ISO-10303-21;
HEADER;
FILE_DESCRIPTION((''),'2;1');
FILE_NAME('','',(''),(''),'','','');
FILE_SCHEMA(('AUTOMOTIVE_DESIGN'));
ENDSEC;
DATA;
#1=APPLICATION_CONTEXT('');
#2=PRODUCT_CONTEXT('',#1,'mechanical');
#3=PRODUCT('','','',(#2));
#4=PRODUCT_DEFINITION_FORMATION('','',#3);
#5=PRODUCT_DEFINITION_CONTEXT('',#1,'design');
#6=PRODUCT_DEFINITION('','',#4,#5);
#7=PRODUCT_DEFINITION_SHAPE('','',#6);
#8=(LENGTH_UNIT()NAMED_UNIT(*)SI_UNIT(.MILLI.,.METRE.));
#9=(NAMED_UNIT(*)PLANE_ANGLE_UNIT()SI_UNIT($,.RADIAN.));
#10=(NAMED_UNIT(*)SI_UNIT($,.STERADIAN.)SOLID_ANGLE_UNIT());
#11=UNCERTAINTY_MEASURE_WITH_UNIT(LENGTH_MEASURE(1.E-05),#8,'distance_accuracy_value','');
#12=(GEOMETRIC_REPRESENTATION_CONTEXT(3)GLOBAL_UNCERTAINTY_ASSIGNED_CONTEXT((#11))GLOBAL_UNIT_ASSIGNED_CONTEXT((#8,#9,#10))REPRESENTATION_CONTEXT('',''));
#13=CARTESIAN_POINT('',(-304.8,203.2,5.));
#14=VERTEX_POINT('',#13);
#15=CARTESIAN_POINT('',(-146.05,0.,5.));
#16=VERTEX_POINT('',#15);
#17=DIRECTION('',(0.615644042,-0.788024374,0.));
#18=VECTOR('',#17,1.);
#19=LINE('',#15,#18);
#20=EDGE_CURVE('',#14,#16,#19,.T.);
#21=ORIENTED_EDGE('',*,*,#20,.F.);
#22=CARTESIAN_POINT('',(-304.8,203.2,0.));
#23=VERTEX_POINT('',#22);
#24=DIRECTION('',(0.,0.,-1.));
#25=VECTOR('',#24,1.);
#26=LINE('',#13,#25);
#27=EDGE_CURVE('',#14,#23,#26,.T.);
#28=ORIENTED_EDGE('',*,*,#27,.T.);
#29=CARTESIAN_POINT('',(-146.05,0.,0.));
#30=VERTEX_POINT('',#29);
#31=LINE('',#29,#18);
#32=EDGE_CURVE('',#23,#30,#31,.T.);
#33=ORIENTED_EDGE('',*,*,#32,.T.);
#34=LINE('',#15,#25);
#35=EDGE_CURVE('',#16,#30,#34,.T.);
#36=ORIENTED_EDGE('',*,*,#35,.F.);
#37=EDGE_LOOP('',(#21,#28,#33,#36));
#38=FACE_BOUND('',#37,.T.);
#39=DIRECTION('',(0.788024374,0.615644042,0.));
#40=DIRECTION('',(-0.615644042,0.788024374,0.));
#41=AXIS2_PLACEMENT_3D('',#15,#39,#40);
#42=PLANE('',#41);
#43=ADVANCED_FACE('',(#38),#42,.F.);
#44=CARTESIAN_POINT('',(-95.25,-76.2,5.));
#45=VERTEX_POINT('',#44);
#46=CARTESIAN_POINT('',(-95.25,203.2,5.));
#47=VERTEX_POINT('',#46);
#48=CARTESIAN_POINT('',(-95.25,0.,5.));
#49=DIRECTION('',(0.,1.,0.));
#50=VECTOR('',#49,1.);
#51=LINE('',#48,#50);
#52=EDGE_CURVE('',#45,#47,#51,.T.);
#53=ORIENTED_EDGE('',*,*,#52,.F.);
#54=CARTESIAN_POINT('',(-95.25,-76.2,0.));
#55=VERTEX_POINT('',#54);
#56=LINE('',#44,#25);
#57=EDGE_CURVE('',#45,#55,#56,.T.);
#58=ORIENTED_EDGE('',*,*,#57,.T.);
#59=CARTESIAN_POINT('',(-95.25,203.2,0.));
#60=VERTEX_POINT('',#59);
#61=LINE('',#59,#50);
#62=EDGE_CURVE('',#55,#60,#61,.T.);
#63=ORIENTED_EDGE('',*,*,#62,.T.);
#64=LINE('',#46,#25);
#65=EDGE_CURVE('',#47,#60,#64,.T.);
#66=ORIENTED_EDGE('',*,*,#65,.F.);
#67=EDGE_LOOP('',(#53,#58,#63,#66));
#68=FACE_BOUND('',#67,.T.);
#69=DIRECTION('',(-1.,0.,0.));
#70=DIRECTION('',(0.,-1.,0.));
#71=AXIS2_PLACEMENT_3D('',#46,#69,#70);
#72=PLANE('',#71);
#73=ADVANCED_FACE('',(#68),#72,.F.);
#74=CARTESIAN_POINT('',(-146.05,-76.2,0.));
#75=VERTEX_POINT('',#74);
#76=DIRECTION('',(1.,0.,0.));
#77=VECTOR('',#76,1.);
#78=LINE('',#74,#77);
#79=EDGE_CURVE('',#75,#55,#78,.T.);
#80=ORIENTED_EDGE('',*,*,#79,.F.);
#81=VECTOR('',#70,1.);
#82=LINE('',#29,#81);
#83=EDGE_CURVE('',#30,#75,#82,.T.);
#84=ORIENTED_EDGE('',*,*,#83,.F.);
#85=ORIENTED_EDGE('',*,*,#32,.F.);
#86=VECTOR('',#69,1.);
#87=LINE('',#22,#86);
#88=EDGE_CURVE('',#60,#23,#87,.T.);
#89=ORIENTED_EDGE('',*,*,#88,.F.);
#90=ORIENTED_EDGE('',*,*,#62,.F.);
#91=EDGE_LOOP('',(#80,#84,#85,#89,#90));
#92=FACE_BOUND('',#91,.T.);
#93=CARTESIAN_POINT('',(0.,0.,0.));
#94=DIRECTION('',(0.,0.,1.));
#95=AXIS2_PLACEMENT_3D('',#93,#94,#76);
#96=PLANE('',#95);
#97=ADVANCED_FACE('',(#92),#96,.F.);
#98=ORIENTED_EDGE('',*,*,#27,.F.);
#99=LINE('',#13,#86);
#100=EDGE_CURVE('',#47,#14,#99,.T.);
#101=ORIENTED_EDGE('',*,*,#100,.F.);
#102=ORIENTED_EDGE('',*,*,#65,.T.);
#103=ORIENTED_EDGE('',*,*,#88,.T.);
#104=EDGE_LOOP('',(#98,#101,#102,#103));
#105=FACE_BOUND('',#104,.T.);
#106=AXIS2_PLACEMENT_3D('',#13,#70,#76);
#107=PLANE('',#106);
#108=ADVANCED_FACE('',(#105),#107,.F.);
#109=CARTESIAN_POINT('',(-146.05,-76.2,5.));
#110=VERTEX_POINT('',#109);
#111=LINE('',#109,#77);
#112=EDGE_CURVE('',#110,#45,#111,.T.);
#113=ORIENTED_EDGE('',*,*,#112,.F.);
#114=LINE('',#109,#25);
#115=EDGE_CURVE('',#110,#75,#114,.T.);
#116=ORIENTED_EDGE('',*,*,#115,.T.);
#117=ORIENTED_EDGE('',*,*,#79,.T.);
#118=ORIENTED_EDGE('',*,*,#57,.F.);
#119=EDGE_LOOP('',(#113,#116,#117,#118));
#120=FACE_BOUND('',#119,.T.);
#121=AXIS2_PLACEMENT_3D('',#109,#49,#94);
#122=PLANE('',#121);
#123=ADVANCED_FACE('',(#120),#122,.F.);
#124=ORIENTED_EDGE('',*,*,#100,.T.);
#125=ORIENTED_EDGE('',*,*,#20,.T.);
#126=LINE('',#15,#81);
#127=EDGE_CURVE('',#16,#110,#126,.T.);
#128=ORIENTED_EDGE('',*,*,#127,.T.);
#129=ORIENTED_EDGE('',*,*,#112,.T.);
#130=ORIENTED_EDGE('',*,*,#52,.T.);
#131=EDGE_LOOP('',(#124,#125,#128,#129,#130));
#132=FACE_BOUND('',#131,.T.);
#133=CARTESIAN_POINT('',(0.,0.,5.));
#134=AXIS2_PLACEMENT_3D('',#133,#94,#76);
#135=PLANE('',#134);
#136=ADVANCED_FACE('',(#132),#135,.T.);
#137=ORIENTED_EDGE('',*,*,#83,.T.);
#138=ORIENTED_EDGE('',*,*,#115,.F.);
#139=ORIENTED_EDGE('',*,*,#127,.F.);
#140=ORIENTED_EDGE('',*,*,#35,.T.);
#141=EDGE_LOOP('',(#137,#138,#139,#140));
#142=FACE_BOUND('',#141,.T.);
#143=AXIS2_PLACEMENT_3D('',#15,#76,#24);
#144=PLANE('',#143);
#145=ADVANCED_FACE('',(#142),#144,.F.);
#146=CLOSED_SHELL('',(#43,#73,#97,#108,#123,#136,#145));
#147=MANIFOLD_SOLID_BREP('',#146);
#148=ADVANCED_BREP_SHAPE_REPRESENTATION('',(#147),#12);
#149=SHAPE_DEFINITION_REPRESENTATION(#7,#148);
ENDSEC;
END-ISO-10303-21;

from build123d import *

# Parameters (mm, degrees)
EXTRUDE_1_DEPTH = 5


with BuildPart() as part:
    # 草图1 → 凸台-拉伸1 (new body)
    with BuildSketch(Plane.XY):
        Polygon((-95.25, 0), (-95.25, -76.2), (-146.05, -76.2), (-146.05, 0), (-304.8, 203.2), (-95.25, 203.2), align=None)
    extrude(amount=EXTRUDE_1_DEPTH)


solid = part.part
